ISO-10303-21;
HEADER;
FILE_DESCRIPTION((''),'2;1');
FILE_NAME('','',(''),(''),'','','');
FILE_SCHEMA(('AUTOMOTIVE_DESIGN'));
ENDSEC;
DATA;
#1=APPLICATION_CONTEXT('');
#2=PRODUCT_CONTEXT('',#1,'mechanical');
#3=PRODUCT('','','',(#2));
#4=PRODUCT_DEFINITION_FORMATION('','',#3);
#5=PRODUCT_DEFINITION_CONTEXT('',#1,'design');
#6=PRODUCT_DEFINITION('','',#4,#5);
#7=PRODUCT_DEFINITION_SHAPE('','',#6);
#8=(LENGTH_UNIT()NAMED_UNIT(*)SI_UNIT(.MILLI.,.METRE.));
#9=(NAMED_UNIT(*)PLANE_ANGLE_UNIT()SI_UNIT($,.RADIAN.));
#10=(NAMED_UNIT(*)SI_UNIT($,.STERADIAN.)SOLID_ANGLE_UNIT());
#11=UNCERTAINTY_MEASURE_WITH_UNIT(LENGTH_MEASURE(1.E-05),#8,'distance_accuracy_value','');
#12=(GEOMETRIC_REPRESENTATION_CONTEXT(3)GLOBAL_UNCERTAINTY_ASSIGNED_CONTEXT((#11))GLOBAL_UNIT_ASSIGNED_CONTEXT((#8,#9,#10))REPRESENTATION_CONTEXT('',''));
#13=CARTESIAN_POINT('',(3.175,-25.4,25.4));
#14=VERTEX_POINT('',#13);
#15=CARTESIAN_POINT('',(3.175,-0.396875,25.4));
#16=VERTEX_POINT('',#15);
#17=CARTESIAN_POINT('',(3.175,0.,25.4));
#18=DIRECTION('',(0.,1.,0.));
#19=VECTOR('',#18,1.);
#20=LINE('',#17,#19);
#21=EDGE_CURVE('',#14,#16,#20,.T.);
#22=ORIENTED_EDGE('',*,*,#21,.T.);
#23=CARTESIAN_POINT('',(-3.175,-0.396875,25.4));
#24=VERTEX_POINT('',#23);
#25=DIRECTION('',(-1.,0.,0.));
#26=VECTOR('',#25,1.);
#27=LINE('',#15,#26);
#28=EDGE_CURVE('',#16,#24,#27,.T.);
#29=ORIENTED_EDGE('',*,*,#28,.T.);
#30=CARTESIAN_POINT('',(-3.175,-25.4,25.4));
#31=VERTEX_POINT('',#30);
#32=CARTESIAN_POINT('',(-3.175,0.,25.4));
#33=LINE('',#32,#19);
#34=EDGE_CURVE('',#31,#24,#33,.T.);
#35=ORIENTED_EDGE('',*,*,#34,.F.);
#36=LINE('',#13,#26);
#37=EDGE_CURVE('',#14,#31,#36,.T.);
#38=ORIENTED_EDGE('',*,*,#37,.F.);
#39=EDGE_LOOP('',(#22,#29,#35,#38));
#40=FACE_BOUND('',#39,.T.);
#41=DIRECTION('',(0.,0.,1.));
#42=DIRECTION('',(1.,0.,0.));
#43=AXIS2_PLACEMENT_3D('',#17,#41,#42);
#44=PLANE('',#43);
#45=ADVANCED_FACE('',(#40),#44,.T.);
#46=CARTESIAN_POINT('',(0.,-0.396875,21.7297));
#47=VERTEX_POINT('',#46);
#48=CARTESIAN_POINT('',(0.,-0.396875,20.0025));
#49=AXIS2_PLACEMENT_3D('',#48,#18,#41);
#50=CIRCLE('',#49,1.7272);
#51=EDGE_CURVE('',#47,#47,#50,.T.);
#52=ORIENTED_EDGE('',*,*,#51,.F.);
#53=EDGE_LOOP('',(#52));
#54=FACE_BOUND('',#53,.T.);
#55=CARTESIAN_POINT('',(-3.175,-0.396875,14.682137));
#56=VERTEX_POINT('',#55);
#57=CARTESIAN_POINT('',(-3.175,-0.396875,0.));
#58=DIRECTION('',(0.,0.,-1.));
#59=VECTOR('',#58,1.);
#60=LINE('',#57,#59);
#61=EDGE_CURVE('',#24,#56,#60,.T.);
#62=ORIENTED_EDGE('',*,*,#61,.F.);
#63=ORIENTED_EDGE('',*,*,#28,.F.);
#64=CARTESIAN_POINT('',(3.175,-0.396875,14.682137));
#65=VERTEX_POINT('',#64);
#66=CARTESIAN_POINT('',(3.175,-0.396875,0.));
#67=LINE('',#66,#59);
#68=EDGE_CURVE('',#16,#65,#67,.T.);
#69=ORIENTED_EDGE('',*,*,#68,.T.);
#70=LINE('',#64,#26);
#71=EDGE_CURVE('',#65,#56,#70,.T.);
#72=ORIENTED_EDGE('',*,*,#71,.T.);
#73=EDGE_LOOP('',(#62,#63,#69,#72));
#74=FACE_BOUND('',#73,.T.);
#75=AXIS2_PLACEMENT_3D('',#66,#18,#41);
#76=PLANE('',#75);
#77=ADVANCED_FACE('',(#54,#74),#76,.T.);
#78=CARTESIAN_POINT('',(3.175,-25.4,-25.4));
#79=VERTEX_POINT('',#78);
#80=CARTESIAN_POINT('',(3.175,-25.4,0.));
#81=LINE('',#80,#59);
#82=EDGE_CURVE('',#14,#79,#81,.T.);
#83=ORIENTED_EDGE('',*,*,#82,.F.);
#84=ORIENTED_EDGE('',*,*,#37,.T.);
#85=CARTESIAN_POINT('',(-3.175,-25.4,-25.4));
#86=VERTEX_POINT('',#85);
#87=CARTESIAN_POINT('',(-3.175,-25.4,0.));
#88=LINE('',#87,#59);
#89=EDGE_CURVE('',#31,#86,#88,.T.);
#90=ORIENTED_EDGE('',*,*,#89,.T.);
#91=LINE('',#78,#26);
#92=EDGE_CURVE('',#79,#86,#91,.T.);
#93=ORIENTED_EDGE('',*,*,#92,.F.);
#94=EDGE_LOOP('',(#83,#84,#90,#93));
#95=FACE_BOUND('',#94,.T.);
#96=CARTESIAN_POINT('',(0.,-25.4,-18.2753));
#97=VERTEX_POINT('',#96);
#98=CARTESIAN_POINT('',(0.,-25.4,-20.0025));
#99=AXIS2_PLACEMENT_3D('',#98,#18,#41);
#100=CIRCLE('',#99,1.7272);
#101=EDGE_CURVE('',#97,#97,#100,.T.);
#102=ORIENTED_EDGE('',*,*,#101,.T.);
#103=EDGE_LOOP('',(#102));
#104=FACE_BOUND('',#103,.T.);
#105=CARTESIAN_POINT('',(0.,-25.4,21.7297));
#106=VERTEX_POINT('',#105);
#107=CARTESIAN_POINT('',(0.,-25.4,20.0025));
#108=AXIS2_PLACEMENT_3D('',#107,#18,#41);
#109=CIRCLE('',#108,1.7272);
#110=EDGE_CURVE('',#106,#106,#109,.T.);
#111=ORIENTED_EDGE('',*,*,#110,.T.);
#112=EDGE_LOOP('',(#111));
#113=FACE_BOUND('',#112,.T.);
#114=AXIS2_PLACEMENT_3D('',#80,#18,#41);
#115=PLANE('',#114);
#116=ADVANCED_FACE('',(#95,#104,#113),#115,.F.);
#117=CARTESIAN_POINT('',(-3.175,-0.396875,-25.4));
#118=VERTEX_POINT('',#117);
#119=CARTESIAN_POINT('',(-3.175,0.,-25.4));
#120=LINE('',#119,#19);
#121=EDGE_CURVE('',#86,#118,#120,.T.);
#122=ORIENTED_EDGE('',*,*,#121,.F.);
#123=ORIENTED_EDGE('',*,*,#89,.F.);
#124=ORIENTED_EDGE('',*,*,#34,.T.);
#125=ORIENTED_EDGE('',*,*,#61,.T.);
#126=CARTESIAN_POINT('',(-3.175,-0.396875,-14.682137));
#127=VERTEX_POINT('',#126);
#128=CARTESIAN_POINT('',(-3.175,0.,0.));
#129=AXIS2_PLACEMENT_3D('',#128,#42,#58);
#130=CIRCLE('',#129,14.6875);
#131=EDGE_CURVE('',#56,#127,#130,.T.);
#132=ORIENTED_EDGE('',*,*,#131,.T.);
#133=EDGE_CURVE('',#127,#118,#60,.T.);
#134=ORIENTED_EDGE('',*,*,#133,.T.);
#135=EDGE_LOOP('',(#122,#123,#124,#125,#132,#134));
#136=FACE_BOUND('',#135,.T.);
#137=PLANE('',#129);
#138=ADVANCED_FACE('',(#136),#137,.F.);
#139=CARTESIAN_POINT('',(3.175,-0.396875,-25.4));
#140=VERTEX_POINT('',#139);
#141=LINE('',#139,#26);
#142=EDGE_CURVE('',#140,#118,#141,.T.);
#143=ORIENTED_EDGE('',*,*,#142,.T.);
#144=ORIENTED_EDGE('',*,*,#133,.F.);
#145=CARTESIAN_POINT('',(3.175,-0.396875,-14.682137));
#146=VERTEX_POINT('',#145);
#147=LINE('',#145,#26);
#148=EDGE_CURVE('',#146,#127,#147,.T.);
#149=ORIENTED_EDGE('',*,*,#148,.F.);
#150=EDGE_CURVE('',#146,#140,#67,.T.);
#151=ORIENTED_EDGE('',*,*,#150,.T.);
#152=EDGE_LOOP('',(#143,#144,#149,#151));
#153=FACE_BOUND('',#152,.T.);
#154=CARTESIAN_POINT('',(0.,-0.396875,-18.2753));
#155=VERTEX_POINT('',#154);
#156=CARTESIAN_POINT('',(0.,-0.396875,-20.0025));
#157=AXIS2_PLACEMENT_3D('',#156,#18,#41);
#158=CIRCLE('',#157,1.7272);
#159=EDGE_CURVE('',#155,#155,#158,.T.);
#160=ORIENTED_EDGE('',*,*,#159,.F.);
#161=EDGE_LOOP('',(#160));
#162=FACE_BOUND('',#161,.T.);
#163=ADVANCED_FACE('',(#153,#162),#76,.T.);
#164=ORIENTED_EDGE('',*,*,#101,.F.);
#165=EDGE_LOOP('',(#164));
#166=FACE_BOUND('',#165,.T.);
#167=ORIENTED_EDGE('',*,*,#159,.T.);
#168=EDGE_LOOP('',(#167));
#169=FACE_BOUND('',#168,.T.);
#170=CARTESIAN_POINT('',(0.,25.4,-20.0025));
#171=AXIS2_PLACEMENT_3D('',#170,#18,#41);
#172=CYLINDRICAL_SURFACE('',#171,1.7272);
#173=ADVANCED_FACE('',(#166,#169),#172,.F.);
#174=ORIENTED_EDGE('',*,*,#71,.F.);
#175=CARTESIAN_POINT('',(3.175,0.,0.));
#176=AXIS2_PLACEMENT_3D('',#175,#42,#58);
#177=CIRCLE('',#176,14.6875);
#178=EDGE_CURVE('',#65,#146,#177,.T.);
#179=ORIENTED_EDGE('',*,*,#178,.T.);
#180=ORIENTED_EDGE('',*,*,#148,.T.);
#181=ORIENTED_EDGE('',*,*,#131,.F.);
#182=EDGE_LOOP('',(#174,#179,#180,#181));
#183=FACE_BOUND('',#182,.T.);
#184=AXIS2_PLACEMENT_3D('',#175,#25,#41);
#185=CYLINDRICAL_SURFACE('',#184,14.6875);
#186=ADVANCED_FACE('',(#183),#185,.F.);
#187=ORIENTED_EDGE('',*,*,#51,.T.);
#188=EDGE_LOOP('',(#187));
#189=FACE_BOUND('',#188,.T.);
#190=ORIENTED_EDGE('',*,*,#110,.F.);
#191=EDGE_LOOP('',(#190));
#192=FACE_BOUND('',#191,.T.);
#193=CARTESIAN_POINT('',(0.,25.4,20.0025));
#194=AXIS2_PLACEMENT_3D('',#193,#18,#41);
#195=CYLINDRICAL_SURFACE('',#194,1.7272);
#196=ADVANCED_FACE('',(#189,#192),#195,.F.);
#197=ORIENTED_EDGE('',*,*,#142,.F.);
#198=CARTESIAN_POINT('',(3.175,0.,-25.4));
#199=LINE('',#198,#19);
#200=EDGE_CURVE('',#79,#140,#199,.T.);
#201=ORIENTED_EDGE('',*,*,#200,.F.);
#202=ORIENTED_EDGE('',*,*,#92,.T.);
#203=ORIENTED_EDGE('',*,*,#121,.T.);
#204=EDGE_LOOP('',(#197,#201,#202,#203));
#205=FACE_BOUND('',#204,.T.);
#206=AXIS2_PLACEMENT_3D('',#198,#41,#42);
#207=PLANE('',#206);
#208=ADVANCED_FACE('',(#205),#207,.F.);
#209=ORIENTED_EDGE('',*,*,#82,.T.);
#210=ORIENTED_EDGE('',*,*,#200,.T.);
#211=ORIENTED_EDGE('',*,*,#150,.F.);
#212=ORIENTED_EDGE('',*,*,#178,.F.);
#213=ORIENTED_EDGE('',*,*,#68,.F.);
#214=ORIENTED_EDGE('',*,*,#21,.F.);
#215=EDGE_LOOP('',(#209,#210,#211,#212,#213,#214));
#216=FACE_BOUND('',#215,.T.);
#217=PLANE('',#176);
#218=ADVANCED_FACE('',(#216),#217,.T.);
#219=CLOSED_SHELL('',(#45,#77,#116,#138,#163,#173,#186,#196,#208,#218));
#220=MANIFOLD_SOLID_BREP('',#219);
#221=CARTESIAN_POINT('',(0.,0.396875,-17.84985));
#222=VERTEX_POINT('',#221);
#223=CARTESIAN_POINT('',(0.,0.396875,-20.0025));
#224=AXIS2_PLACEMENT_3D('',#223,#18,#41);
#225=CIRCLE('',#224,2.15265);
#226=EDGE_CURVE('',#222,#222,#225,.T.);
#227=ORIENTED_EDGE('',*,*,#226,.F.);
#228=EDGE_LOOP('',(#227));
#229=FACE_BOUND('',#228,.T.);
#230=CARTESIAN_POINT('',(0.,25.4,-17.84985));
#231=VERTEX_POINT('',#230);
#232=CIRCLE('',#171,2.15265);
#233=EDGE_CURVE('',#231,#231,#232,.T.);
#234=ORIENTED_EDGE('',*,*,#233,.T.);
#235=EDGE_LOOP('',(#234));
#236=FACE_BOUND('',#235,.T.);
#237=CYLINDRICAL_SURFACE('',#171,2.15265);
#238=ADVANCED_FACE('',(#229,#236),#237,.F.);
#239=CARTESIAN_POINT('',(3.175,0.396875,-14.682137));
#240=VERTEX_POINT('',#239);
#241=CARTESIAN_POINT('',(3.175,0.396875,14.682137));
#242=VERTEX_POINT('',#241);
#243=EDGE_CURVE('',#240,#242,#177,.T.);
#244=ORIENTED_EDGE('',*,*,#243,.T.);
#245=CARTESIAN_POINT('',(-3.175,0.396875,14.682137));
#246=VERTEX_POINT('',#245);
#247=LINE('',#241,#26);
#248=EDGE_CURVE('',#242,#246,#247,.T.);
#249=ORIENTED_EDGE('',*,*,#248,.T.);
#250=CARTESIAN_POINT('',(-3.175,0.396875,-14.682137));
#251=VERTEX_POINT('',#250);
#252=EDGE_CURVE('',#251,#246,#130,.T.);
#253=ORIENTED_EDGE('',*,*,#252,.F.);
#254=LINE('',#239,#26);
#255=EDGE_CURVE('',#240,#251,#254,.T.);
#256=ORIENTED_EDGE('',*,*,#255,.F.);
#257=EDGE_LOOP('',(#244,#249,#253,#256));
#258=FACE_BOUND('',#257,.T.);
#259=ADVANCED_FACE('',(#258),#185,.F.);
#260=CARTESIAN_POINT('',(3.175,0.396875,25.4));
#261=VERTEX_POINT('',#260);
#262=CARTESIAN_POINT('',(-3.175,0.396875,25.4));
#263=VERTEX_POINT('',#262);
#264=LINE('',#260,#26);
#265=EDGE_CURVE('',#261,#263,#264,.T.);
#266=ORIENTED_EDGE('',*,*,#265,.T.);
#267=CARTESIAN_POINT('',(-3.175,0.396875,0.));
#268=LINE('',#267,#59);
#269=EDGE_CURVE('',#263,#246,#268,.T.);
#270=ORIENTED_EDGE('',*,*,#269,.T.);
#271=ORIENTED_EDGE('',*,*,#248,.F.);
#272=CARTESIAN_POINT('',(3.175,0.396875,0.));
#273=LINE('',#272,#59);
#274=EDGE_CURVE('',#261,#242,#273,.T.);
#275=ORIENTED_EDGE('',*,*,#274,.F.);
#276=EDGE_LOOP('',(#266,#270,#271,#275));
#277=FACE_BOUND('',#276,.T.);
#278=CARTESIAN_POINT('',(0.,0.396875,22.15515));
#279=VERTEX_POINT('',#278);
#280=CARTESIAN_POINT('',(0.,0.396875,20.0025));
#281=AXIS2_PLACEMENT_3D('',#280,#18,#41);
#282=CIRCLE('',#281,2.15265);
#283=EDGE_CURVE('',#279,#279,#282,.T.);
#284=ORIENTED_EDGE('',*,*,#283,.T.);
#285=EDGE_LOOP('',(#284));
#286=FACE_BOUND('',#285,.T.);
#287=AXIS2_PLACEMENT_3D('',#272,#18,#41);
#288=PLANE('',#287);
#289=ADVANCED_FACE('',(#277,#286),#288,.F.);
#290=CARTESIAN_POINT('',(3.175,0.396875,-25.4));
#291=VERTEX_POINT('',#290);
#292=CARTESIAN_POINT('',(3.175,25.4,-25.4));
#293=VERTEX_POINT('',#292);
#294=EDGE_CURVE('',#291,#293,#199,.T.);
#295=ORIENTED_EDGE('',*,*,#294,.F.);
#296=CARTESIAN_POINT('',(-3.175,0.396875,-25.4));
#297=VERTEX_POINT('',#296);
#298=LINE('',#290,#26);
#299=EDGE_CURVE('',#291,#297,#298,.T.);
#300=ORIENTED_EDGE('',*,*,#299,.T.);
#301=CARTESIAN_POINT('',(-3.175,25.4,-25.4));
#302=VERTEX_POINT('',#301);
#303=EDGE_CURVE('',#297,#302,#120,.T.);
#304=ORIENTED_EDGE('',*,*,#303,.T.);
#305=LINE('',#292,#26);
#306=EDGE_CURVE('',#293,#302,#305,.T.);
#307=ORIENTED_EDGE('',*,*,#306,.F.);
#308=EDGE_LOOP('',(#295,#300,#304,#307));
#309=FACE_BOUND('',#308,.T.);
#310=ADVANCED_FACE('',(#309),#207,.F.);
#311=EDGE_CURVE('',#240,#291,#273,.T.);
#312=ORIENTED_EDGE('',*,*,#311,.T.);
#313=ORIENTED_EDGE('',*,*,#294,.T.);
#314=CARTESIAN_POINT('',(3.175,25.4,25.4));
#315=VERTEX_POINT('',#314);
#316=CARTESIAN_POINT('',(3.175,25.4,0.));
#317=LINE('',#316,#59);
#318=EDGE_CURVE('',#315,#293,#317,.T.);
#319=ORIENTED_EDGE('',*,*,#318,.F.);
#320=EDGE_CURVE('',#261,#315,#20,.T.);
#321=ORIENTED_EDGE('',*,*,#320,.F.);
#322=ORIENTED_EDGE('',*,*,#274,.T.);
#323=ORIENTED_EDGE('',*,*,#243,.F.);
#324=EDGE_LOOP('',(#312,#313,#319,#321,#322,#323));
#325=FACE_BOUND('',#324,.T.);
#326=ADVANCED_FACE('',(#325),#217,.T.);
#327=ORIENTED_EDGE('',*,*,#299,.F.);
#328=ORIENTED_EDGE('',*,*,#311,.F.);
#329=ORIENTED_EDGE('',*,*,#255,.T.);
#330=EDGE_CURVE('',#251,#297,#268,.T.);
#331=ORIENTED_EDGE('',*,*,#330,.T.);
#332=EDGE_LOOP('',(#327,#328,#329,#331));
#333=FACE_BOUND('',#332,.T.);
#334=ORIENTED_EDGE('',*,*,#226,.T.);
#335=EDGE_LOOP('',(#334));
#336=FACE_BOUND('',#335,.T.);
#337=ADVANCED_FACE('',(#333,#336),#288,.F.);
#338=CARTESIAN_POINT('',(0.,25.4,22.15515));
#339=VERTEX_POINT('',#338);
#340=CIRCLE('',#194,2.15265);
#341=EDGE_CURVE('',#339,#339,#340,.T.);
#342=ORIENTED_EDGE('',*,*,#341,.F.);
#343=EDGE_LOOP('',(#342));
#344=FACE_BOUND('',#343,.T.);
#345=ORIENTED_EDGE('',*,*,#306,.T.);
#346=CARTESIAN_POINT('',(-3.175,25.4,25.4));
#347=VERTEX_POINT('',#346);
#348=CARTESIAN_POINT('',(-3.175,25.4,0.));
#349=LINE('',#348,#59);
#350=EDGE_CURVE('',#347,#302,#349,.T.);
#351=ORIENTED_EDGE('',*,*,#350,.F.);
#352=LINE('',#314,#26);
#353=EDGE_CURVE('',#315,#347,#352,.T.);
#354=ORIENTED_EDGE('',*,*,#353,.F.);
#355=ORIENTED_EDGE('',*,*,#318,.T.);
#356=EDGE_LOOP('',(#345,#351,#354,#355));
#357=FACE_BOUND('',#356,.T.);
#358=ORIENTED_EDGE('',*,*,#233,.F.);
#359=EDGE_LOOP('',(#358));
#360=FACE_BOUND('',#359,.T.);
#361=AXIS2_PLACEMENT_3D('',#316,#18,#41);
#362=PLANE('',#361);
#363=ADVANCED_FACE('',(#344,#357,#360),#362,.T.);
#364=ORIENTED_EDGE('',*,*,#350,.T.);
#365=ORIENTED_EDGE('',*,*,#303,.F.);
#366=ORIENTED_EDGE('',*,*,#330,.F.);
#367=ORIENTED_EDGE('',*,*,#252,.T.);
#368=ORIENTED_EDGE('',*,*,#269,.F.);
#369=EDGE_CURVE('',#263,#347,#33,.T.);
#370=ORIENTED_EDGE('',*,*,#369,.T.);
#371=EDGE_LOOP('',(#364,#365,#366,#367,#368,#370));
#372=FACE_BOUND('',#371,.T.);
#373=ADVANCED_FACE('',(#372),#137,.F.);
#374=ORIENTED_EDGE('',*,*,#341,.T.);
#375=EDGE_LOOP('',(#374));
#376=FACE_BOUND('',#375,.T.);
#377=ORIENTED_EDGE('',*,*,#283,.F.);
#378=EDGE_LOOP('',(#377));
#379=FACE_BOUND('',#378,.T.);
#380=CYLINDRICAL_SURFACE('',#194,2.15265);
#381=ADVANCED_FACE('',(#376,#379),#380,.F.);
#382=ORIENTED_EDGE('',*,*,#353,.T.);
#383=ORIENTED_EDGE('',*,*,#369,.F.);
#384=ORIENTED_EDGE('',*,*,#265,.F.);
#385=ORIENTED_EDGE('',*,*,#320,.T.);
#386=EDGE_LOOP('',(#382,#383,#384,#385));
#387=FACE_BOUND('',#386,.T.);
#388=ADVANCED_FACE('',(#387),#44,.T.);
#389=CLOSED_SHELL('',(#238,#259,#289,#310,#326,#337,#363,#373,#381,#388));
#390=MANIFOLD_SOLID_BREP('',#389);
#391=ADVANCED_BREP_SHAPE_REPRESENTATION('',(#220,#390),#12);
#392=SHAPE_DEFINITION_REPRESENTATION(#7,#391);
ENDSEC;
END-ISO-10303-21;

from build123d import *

# Parameters (mm, degrees)
BOSS_EXTRUDE1_DEPTH                   = 3.175
BOSS_EXTRUDE1_2_DEPTH                 = 3.175
SKETCH4_W                             = 2.15265
SKETCH4_H                             = 25.003125
F_18_0_1695_DIAMETER_HOLE2_AT_2_COUNT = 2
F_18_0_1695_DIAMETER_HOLE2_AT_2_PITCH = 40.005
SKETCH5_W                             = 1.7272
SKETCH5_H                             = 50.8
F_29_0_136_DIAMETER_HOLE1_AT_2_COUNT  = 2
F_29_0_136_DIAMETER_HOLE1_AT_2_PITCH  = 40.005


with BuildPart() as part:
    # Sketch1 → Boss-Extrude1 (new, symmetric)
    with BuildSketch(Plane(origin=(0, 0, 0), x_dir=(0, 0, -1), z_dir=(1, 0, 0))):
        with BuildLine():
            Line((-25.4, 25.4), (-25.4, 0.396875))
            Line((-25.4, 0.396875), (-14.682136986, 0.396875))
            ThreePointArc((-14.682136986, 0.396875), (0, 14.6875), (14.682136986, 0.396875))
            Line((14.682136986, 0.396875), (25.4, 0.396875))
            Line((25.4, 0.396875), (25.4, 25.4))
            Line((25.4, 25.4), (-25.4, 25.4))
        make_face()
    extrude(amount=BOSS_EXTRUDE1_DEPTH, both=True)

    # Sketch4 → #18 (0.1695) Diameter Hole2 (revolve, cut)
    with BuildSketch(Plane(origin=(0, 25.4, 20.0025), x_dir=(0, 0, 1), z_dir=(1, 0, 0))):
        with Locations((1.076325, 12.5015625)):
            Rectangle(SKETCH4_W, SKETCH4_H)
    f_18_0_1695_diameter_hole2 = revolve(axis=Axis((0, 31.75, 20.0025), (0, -1, 0)), mode=Mode.SUBTRACT)

    # #18 (0.1695) Diameter Hole2 at 2: #18 (0.1695) Diameter Hole2 ×2
    with Locations(*[(0, 0, -i * F_18_0_1695_DIAMETER_HOLE2_AT_2_PITCH) for i in range(1, F_18_0_1695_DIAMETER_HOLE2_AT_2_COUNT)]):
        add(f_18_0_1695_diameter_hole2, mode=Mode.SUBTRACT)


with BuildPart() as body_2:
    # Sketch1 → Boss-Extrude1 2 (new, symmetric)
    with BuildSketch(Plane(origin=(0, 0, 0), x_dir=(0, 0, -1), z_dir=(1, 0, 0))):
        with BuildLine():
            Line((-14.682136986, -0.396875), (-25.4, -0.396875))
            Line((-25.4, -0.396875), (-25.4, -25.4))
            Line((-25.4, -25.4), (25.4, -25.4))
            Line((25.4, -25.4), (25.4, -0.396875))
            Line((25.4, -0.396875), (14.682136986, -0.396875))
            ThreePointArc((14.682136986, -0.396875), (0, -14.6875), (-14.682136986, -0.396875))
        make_face()
    extrude(amount=BOSS_EXTRUDE1_2_DEPTH, both=True)

    # Sketch5 → #29 (0.136) Diameter Hole1 (revolve, cut)
    with BuildSketch(Plane(origin=(0, 25.4, 20.0025), x_dir=(0, 0, 1), z_dir=(1, 0, 0))):
        with Locations((0.8636, 25.4)):
            Rectangle(SKETCH5_W, SKETCH5_H)
    f_29_0_136_diameter_hole1 = revolve(axis=Axis((0, 31.75, 20.0025), (0, -1, 0)), mode=Mode.SUBTRACT)

    # #29 (0.136) Diameter Hole1 at 2: #29 (0.136) Diameter Hole1 ×2
    with Locations(*[(0, 0, -i * F_29_0_136_DIAMETER_HOLE1_AT_2_PITCH) for i in range(1, F_29_0_136_DIAMETER_HOLE1_AT_2_COUNT)]):
        add(f_29_0_136_diameter_hole1, mode=Mode.SUBTRACT)


solid = Compound([part.part, body_2.part])
